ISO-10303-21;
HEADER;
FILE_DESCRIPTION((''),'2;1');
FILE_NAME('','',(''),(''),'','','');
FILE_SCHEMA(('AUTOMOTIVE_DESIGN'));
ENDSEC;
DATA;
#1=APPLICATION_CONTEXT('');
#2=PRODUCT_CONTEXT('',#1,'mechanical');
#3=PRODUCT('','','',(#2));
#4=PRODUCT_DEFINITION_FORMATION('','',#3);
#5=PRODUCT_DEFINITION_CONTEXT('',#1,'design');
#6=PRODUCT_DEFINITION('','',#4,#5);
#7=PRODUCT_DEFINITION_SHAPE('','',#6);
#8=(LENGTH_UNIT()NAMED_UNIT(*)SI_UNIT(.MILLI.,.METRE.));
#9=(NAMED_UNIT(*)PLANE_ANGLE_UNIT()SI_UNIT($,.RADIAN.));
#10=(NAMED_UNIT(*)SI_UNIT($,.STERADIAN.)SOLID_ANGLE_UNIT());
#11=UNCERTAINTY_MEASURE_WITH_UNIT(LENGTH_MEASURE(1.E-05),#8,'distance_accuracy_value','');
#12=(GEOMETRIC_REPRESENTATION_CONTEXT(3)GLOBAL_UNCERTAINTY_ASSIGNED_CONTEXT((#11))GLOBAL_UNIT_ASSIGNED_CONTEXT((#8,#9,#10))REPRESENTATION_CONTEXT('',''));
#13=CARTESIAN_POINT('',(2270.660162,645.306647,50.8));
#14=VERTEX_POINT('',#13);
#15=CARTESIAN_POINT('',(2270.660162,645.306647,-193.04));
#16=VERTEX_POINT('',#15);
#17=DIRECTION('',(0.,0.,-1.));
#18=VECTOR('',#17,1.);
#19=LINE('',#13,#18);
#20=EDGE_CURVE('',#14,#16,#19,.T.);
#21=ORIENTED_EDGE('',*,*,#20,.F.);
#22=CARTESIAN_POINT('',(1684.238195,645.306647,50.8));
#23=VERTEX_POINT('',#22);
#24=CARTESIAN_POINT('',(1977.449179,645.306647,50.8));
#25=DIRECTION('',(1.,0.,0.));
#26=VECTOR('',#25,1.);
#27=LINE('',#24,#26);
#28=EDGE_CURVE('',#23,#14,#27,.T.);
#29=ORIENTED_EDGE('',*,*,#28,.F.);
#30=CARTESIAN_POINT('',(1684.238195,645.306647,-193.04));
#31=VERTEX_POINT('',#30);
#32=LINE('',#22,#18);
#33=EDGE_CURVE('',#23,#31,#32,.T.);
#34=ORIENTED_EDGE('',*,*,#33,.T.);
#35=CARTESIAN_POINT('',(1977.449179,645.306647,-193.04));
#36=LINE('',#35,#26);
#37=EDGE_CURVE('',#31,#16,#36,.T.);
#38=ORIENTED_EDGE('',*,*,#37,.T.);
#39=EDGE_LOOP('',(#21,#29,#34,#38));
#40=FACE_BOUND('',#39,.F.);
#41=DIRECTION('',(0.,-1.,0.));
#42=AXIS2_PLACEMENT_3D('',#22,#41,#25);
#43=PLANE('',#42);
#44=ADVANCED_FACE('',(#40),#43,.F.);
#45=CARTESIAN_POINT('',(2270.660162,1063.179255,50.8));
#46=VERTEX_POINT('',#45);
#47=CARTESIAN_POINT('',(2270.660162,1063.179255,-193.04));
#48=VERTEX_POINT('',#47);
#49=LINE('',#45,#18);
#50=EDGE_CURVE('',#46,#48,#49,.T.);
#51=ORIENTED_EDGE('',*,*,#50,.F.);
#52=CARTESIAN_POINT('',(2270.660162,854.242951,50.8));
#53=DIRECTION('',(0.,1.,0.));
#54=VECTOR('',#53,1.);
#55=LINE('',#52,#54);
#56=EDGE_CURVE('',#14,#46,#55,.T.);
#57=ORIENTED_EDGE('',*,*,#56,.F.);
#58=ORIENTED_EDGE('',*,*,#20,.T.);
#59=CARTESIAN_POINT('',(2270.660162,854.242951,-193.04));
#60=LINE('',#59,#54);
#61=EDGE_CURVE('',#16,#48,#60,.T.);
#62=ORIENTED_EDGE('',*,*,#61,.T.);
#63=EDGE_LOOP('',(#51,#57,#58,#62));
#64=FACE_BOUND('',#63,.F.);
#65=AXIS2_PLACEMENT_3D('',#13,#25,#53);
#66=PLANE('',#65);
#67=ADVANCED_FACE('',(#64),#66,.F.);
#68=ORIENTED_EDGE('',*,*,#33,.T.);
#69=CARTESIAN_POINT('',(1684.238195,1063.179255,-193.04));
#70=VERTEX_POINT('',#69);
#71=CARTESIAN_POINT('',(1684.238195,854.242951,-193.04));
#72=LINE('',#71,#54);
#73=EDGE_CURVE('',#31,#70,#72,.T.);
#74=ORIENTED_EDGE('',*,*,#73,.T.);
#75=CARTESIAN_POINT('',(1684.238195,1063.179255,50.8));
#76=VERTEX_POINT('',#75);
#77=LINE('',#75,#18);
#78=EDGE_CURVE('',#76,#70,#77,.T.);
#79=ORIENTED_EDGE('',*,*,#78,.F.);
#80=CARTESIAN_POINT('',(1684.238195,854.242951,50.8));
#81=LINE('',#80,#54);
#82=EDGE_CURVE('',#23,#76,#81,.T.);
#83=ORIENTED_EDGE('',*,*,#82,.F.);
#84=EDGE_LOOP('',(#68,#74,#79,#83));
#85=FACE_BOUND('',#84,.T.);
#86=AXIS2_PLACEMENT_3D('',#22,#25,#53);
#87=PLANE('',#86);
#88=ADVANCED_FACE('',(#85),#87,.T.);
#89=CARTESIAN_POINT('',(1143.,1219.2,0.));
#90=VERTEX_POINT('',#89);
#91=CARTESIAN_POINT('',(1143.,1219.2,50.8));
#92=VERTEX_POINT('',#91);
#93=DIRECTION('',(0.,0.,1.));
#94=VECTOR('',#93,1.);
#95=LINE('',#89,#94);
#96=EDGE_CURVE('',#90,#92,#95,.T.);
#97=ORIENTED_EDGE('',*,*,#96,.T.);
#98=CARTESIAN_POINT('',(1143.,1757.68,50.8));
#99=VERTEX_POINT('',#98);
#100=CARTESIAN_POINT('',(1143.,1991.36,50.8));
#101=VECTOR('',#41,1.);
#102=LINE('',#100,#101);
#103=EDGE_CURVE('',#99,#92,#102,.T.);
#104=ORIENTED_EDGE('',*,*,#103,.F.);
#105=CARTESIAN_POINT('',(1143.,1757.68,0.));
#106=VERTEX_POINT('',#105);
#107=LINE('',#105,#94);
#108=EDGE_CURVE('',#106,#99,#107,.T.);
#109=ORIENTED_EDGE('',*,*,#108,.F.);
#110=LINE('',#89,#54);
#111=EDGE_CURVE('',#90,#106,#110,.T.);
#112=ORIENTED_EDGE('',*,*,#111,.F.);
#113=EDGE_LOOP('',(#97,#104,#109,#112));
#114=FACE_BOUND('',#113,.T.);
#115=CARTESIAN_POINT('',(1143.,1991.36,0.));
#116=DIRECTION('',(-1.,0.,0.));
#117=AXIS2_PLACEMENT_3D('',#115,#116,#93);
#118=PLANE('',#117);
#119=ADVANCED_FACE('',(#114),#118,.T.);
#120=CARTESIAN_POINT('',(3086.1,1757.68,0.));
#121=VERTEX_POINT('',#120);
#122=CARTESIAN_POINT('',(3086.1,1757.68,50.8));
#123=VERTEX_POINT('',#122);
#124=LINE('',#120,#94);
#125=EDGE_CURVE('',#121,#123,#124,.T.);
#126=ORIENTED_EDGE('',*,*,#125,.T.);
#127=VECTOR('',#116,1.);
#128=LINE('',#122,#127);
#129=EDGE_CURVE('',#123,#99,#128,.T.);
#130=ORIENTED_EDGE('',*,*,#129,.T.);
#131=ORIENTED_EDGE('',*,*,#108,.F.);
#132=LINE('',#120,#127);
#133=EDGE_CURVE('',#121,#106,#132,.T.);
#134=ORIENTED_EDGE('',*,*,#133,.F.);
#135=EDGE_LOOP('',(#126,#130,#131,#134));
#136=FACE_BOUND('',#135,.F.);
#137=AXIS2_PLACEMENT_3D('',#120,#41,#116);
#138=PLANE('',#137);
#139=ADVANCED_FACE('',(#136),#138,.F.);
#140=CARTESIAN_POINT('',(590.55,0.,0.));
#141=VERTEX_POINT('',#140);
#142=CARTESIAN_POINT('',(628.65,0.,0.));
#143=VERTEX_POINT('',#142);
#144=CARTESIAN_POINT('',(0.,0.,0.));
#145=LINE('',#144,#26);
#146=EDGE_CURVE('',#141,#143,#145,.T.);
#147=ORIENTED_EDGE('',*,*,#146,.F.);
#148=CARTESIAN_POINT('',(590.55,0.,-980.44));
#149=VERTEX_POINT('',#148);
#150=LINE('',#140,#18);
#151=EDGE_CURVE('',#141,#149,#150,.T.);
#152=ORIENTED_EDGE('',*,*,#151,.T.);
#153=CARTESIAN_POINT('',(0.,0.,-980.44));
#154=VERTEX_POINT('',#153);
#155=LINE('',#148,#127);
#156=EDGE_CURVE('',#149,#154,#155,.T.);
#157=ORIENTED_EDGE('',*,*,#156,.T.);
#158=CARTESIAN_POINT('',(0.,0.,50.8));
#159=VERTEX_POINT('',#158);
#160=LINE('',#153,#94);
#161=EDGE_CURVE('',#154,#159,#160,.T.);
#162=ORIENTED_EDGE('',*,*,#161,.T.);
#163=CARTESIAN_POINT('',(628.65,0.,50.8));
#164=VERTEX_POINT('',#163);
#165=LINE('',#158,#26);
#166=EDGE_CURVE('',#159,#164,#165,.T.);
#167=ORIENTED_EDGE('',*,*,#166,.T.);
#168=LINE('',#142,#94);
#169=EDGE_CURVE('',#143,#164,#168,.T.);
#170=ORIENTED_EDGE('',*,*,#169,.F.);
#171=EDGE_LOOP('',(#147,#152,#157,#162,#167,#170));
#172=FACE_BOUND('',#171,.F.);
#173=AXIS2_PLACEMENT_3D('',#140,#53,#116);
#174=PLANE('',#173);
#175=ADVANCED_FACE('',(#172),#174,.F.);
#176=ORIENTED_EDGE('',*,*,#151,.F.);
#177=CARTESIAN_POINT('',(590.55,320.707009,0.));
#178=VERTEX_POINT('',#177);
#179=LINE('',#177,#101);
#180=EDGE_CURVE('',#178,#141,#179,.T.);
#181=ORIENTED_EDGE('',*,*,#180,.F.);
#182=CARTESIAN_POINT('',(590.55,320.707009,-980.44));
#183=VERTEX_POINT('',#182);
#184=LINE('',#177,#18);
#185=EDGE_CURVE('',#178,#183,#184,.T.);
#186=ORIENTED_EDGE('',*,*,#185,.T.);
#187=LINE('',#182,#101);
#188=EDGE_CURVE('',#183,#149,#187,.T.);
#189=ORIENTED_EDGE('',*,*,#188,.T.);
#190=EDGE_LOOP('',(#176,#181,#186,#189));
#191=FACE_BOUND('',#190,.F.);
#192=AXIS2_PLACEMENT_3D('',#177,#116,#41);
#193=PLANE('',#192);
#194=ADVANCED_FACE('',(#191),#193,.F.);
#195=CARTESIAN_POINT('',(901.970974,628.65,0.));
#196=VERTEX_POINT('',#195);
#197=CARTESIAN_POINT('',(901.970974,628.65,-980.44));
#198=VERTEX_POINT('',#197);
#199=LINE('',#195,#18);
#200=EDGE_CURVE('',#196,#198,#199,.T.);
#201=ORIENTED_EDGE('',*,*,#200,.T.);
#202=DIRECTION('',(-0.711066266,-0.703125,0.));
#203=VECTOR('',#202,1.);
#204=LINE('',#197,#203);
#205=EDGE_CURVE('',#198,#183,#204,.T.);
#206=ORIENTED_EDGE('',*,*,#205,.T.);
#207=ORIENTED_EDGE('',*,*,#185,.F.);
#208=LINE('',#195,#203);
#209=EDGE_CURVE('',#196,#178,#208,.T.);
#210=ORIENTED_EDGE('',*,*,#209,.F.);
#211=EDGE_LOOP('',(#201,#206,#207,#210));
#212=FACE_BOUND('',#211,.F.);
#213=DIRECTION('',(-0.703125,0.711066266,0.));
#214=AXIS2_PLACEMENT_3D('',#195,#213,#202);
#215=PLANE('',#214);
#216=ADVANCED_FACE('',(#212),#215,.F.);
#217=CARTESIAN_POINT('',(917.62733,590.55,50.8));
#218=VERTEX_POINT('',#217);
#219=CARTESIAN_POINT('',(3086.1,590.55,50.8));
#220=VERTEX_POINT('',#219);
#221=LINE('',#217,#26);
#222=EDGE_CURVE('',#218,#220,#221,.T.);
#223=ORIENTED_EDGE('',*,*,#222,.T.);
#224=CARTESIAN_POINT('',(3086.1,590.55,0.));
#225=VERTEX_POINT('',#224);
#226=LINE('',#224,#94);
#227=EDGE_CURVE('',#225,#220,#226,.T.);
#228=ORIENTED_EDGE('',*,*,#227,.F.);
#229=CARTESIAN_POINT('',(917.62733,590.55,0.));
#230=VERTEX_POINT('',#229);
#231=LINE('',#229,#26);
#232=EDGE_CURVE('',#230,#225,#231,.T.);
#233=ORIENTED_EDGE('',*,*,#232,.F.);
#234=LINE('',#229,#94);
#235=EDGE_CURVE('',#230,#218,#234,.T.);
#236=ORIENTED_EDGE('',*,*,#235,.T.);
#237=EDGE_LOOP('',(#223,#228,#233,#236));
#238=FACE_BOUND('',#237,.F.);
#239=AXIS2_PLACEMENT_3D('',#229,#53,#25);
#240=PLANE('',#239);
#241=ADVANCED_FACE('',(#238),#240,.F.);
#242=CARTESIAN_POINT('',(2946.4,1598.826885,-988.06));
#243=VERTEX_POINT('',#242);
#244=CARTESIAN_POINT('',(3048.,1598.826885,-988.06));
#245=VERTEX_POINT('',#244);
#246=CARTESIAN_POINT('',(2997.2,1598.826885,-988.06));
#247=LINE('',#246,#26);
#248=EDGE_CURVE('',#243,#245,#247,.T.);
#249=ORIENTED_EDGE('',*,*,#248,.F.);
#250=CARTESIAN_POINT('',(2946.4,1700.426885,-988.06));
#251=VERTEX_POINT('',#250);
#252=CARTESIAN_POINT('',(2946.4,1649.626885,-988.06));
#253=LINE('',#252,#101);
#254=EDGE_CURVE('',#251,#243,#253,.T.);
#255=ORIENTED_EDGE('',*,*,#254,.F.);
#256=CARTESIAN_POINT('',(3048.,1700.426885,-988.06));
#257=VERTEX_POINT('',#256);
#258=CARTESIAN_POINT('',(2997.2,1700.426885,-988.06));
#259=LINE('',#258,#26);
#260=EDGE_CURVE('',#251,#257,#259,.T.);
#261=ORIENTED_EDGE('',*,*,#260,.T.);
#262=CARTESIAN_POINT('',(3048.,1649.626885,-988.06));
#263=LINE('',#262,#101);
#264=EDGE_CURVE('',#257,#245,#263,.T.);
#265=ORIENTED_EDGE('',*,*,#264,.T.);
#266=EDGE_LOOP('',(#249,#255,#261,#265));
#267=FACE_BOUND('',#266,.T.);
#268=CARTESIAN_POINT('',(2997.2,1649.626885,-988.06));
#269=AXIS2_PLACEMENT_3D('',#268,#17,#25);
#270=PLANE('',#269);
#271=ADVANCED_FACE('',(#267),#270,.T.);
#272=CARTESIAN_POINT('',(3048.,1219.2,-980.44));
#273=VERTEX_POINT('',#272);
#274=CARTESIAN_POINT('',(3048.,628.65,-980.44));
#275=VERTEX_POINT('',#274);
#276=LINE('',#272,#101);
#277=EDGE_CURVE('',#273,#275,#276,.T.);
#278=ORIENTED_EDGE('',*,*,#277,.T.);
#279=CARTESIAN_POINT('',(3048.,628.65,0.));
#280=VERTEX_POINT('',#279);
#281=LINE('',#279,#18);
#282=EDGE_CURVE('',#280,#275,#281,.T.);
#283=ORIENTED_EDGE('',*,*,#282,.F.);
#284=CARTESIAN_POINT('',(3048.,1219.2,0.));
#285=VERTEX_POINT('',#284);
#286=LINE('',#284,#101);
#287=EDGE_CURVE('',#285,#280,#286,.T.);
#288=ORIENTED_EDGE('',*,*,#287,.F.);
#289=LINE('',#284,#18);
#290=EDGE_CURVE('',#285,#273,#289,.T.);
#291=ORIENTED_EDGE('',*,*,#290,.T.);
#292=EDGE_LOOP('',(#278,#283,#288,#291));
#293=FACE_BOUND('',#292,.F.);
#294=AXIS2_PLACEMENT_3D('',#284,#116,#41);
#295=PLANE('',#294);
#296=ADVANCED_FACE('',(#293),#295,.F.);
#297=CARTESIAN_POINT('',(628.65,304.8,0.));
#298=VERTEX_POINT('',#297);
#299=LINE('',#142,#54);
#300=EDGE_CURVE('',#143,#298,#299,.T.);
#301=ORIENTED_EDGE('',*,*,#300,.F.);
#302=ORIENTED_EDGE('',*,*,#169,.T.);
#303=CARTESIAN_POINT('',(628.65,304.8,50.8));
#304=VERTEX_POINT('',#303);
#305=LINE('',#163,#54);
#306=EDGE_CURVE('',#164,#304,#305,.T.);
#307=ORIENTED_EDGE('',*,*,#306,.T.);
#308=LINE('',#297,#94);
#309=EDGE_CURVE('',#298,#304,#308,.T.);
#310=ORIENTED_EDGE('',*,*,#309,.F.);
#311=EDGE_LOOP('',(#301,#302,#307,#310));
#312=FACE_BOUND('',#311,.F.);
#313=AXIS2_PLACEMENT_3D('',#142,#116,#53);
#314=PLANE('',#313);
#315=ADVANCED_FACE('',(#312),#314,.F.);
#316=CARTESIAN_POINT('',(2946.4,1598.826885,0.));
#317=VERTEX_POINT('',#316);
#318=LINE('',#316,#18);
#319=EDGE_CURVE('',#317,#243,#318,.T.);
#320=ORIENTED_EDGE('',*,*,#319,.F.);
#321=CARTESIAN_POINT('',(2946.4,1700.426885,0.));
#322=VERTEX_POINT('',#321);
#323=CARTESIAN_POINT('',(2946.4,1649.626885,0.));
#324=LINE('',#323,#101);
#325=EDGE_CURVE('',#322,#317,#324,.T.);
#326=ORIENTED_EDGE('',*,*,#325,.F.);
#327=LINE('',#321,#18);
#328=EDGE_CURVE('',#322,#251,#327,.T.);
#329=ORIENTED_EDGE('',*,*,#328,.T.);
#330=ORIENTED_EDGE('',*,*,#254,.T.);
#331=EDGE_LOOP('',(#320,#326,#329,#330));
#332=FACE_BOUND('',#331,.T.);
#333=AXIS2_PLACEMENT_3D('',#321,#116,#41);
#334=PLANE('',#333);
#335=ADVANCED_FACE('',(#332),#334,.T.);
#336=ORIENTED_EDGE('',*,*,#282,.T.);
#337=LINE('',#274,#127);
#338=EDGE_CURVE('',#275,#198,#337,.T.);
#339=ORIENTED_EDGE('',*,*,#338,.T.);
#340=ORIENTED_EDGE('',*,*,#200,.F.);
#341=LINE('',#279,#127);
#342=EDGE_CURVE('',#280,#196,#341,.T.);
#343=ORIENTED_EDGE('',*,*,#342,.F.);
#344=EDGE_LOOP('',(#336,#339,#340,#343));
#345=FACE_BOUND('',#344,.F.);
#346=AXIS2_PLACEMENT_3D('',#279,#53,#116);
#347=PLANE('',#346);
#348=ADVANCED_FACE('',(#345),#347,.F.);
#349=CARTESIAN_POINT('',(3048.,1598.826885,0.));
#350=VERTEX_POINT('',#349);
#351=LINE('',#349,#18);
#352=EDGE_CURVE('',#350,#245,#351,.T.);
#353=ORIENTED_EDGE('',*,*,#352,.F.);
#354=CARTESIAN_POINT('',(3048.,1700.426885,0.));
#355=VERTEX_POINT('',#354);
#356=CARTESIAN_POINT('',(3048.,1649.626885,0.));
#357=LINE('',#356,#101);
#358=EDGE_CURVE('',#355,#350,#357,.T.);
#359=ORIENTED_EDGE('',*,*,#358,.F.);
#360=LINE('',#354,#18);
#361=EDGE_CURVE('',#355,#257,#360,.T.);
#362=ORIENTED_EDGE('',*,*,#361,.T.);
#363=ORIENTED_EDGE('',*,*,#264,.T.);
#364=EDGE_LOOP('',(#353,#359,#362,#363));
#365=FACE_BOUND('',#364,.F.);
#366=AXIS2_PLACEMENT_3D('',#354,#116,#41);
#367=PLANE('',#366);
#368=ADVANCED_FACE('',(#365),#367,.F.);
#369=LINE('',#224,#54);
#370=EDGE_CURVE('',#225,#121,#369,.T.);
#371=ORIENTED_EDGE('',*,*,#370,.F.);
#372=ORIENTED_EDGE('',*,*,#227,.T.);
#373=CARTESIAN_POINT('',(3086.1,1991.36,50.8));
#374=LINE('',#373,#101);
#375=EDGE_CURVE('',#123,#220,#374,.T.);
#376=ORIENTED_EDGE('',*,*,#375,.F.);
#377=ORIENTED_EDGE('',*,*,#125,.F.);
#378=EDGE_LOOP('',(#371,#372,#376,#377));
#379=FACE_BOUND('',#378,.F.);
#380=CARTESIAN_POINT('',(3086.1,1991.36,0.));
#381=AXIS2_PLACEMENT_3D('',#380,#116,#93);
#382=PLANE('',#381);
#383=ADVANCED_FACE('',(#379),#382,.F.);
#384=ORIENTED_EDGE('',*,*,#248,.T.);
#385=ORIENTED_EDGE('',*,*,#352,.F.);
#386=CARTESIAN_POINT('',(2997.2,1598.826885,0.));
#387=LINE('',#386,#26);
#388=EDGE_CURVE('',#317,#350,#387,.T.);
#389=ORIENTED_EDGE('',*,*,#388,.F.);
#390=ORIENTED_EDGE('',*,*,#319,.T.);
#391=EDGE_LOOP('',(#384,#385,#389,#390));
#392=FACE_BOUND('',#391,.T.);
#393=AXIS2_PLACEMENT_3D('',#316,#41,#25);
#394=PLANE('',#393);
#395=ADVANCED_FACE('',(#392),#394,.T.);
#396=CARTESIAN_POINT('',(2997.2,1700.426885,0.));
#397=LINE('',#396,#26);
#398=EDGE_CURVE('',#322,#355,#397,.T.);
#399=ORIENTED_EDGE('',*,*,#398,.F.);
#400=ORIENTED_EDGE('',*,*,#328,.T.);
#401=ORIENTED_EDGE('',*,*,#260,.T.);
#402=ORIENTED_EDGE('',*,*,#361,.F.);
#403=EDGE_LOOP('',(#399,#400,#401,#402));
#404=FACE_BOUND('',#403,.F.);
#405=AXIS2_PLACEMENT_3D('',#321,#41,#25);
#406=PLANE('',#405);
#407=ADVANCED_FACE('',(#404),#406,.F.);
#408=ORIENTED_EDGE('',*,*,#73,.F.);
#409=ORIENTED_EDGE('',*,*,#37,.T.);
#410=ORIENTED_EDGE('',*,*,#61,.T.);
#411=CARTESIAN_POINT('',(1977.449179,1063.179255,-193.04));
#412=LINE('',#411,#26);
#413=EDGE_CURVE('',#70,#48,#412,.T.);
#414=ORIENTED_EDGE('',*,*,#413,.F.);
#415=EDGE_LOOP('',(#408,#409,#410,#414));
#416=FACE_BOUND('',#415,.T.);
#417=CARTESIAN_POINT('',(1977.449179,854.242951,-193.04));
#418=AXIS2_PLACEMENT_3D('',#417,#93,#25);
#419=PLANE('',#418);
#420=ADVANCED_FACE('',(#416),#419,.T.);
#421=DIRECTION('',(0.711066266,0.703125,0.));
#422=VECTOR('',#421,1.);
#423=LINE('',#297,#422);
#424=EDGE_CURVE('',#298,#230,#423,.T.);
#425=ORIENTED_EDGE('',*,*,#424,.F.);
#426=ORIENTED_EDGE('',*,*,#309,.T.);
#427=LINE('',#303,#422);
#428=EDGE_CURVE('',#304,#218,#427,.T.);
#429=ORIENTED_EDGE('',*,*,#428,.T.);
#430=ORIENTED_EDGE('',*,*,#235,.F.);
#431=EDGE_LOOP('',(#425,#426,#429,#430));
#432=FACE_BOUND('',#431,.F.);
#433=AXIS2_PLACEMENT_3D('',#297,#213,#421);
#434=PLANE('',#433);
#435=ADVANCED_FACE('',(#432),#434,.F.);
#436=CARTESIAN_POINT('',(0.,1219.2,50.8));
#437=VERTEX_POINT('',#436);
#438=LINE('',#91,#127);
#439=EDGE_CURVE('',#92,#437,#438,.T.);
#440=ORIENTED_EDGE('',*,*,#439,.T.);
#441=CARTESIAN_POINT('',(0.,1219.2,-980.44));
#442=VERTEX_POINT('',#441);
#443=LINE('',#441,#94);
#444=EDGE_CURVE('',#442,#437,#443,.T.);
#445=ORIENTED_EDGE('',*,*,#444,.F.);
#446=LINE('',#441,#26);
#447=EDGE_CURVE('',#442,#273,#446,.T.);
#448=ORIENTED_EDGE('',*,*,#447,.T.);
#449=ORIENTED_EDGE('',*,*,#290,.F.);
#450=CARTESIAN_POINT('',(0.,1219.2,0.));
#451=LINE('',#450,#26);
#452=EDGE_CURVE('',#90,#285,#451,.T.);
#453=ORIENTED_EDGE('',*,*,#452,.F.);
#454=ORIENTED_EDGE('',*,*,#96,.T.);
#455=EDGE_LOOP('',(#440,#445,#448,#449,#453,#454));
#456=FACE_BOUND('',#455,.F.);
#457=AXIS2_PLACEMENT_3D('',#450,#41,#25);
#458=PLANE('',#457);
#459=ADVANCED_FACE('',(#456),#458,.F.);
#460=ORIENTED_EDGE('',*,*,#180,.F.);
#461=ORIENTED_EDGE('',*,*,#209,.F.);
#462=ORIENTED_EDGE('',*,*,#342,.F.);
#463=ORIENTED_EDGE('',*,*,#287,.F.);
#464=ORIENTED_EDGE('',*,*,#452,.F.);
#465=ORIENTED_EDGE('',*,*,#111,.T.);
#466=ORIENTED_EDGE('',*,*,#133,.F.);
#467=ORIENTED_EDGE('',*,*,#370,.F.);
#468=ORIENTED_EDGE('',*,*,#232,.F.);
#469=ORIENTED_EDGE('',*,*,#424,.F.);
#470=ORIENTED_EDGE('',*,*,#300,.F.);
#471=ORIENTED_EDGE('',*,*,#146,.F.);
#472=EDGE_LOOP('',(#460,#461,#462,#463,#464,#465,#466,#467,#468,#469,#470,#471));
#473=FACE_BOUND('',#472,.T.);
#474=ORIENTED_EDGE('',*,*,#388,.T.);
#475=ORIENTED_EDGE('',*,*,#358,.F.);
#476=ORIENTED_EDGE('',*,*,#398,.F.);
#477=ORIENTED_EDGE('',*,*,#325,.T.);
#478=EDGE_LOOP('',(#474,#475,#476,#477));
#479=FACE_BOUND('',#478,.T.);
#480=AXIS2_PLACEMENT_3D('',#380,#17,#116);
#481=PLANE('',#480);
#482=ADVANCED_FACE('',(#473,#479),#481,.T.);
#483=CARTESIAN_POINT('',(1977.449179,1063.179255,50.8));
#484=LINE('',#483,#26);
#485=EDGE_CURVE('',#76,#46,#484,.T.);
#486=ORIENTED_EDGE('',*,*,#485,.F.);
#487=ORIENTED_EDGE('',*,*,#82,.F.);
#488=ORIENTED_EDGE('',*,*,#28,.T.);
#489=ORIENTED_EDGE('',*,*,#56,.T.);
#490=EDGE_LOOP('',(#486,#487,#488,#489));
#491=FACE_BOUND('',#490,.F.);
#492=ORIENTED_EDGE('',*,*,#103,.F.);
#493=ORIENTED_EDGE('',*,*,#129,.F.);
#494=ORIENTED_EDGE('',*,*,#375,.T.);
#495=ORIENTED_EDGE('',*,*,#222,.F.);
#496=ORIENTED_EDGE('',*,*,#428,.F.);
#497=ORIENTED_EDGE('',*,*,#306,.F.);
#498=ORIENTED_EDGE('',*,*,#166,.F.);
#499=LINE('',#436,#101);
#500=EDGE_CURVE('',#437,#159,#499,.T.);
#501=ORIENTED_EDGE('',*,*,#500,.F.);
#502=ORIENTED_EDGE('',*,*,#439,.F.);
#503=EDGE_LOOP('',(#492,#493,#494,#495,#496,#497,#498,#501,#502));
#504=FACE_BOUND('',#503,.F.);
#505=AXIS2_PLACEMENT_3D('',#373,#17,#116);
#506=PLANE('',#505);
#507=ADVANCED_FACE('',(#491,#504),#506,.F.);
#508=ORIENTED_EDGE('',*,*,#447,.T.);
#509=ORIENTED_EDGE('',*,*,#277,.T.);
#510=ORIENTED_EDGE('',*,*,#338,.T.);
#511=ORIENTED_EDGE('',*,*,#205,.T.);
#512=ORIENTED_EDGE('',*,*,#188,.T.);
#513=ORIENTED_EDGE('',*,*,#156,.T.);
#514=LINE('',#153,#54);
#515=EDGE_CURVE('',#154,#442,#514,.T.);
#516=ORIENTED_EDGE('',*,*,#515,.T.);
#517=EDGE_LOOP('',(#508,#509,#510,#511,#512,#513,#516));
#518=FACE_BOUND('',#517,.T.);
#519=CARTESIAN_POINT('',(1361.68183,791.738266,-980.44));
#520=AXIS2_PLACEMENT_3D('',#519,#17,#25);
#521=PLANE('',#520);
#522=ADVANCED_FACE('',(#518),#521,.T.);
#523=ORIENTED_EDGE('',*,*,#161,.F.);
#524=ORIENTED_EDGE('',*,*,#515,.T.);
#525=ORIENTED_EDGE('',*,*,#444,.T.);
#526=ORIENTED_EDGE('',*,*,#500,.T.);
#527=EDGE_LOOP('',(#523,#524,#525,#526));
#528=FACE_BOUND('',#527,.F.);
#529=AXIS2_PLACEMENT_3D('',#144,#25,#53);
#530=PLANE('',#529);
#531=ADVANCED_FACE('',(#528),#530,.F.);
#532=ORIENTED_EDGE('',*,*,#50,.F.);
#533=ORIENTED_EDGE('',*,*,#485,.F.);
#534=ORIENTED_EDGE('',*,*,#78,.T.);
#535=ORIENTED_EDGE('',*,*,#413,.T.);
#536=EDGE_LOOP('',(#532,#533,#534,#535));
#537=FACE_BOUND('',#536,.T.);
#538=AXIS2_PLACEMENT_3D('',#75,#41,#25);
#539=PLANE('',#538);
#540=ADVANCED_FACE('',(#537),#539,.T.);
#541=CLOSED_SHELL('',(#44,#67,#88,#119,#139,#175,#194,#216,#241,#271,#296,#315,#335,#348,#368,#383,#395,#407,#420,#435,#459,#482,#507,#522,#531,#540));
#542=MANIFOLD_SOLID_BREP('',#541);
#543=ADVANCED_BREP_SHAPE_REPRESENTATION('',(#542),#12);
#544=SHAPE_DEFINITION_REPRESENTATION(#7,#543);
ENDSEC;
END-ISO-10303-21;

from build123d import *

# Parameters (mm, degrees)
F1_DEPTH  = 50.8
F3_DEPTH  = 980.44
F4_DEPTH  = 467.36
F5_W      = 101.6
F5_H      = 101.6
F6_DEPTH  = 988.06
F7_W      = 586.4219665527
F7_H      = 417.872607708
F8_DEPTH  = 243.84
F9_DEPTH  = 248.92
F10_DEPTH = 233.68


with BuildPart() as f1:
    # F0 (on Top) → F1 (new body)
    with BuildSketch(Plane.XY):
        Polygon((0, 1219.2), (0, 0), (628.65, 0), (628.65, 304.8), (917.6273304258, 590.55), (3086.1, 590.55), (3086.1, 1524), (1143, 1524), (1143, 1219.2), align=None)
    extrude(amount=F1_DEPTH)

    # F2 (on face) → F3 (join)
    with BuildSketch(Plane(origin=(0, 0, 0), x_dir=(1, 0, 0), z_dir=(0, 0, -1))):
        Polygon((0, -1219.2), (1143, -1219.2), (3048, -1219.2), (3048, -628.65), (901.9709744825, -628.65), (590.55, -320.7070090143), (590.55, 0), (0, 0), align=None)
    extrude(amount=F3_DEPTH)

    # F4 (add): a face of the model
    f4_faces = [f1.faces().sort_by_distance(p)[0] for p in [
        (2114.55, 1524, 25.4),
    ]]
    extrude(f4_faces, amount=F4_DEPTH)

    # F5 (on face) → F6 (join)
    with BuildSketch(Plane(origin=(0, 0, 0), x_dir=(1, 0, 0), z_dir=(0, 0, -1))):
        with Locations((2997.2, -1649.6268852234)):
            Rectangle(F5_W, F5_H)
    extrude(amount=F6_DEPTH)

    # F7 (on face) → F8 (cut)
    with BuildSketch(Plane.XY.offset(50.8)):
        with Locations((1977.4491786957, 854.2429506779)):
            Rectangle(F7_W, F7_H)
    extrude(amount=-F8_DEPTH, mode=Mode.SUBTRACT)

    # F9 (add): a face of the model
    f9_faces = [f1.faces().sort_by_distance(p)[0] for p in [
        (2114.55, 1991.36, 25.4),
    ]]
    extrude(f9_faces, amount=-F9_DEPTH)

    # F10 (cut): a face of the model
    f10_faces = [f1.faces().sort_by_distance(p)[0] for p in [
        (2114.55, 1991.36, 25.4),
    ]]
    extrude(f10_faces, amount=-F10_DEPTH, mode=Mode.SUBTRACT)


solid = f1.part
